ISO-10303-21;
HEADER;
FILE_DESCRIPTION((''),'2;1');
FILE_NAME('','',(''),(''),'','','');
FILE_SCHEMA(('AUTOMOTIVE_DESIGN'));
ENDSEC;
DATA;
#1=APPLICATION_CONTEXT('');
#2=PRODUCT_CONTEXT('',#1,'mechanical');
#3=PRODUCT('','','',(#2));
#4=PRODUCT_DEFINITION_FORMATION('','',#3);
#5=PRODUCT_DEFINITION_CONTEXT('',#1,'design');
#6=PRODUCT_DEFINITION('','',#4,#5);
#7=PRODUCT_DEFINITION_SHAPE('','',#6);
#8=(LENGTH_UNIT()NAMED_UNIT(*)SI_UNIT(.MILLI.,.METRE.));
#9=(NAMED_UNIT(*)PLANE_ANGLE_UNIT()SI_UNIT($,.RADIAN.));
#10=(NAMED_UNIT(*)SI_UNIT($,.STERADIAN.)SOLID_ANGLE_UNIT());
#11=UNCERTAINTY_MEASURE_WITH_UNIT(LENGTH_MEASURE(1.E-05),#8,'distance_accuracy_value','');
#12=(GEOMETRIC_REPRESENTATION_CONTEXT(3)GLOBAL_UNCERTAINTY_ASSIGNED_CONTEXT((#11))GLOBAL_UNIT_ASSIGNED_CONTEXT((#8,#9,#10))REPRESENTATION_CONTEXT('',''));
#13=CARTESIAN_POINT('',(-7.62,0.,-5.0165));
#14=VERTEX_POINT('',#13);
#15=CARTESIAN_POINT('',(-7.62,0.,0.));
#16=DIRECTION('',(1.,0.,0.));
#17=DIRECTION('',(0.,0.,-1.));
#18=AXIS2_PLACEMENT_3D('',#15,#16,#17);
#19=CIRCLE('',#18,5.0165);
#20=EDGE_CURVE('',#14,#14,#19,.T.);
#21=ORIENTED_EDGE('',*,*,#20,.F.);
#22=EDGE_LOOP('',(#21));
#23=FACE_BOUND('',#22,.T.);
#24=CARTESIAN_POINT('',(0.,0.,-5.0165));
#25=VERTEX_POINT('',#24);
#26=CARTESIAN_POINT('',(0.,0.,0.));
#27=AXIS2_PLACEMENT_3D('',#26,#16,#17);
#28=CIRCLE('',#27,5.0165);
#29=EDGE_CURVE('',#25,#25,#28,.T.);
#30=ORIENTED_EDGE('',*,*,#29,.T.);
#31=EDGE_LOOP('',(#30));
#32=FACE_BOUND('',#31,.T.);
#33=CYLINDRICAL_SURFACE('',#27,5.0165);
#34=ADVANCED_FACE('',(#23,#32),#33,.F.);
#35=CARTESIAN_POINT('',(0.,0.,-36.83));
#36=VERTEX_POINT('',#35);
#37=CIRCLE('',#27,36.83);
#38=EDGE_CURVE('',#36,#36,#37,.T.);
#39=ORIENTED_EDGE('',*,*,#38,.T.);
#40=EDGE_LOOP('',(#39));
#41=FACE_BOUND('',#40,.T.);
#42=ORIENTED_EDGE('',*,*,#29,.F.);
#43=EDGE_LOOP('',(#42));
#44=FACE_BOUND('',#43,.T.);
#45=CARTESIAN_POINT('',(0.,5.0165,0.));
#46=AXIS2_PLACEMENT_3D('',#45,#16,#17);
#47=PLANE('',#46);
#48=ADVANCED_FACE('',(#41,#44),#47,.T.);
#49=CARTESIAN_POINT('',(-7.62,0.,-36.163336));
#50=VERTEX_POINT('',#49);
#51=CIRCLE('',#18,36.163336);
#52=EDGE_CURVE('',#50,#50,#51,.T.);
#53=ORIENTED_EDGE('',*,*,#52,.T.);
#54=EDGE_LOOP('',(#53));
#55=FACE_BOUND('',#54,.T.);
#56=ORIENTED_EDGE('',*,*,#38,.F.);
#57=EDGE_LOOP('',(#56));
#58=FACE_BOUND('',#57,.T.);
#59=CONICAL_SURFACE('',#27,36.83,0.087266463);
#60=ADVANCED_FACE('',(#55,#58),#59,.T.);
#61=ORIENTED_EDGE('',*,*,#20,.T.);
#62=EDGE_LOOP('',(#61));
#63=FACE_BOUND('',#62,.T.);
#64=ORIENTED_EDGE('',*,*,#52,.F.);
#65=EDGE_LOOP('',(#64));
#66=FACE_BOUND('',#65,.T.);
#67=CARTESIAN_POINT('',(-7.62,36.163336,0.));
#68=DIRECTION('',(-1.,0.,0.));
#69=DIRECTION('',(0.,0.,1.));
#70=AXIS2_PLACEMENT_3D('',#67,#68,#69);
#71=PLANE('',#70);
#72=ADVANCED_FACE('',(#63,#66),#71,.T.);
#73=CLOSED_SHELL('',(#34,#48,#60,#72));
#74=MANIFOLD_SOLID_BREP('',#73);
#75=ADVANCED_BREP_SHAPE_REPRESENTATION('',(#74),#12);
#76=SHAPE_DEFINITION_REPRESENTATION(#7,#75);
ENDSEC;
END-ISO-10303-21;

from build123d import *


with BuildPart() as part:
    # Sketch2 → Revolve1 (revolve)
    with BuildSketch(Plane(origin=(0, 0, 0), x_dir=(0, 1, 0), z_dir=(0, 0, 1)), mode=Mode.PRIVATE) as revolve1_sk:
        Polygon((5.0165, 0), (36.83, 0), (36.163336384, 7.62), (5.0165, 7.62), align=None)
    revolve(revolve1_sk.sketch.rotate(Axis((0, 0, 0), (-1, 0, 0)), 90), axis=Axis((0, 0, 0), (-1, 0, 0)))


solid = part.part
